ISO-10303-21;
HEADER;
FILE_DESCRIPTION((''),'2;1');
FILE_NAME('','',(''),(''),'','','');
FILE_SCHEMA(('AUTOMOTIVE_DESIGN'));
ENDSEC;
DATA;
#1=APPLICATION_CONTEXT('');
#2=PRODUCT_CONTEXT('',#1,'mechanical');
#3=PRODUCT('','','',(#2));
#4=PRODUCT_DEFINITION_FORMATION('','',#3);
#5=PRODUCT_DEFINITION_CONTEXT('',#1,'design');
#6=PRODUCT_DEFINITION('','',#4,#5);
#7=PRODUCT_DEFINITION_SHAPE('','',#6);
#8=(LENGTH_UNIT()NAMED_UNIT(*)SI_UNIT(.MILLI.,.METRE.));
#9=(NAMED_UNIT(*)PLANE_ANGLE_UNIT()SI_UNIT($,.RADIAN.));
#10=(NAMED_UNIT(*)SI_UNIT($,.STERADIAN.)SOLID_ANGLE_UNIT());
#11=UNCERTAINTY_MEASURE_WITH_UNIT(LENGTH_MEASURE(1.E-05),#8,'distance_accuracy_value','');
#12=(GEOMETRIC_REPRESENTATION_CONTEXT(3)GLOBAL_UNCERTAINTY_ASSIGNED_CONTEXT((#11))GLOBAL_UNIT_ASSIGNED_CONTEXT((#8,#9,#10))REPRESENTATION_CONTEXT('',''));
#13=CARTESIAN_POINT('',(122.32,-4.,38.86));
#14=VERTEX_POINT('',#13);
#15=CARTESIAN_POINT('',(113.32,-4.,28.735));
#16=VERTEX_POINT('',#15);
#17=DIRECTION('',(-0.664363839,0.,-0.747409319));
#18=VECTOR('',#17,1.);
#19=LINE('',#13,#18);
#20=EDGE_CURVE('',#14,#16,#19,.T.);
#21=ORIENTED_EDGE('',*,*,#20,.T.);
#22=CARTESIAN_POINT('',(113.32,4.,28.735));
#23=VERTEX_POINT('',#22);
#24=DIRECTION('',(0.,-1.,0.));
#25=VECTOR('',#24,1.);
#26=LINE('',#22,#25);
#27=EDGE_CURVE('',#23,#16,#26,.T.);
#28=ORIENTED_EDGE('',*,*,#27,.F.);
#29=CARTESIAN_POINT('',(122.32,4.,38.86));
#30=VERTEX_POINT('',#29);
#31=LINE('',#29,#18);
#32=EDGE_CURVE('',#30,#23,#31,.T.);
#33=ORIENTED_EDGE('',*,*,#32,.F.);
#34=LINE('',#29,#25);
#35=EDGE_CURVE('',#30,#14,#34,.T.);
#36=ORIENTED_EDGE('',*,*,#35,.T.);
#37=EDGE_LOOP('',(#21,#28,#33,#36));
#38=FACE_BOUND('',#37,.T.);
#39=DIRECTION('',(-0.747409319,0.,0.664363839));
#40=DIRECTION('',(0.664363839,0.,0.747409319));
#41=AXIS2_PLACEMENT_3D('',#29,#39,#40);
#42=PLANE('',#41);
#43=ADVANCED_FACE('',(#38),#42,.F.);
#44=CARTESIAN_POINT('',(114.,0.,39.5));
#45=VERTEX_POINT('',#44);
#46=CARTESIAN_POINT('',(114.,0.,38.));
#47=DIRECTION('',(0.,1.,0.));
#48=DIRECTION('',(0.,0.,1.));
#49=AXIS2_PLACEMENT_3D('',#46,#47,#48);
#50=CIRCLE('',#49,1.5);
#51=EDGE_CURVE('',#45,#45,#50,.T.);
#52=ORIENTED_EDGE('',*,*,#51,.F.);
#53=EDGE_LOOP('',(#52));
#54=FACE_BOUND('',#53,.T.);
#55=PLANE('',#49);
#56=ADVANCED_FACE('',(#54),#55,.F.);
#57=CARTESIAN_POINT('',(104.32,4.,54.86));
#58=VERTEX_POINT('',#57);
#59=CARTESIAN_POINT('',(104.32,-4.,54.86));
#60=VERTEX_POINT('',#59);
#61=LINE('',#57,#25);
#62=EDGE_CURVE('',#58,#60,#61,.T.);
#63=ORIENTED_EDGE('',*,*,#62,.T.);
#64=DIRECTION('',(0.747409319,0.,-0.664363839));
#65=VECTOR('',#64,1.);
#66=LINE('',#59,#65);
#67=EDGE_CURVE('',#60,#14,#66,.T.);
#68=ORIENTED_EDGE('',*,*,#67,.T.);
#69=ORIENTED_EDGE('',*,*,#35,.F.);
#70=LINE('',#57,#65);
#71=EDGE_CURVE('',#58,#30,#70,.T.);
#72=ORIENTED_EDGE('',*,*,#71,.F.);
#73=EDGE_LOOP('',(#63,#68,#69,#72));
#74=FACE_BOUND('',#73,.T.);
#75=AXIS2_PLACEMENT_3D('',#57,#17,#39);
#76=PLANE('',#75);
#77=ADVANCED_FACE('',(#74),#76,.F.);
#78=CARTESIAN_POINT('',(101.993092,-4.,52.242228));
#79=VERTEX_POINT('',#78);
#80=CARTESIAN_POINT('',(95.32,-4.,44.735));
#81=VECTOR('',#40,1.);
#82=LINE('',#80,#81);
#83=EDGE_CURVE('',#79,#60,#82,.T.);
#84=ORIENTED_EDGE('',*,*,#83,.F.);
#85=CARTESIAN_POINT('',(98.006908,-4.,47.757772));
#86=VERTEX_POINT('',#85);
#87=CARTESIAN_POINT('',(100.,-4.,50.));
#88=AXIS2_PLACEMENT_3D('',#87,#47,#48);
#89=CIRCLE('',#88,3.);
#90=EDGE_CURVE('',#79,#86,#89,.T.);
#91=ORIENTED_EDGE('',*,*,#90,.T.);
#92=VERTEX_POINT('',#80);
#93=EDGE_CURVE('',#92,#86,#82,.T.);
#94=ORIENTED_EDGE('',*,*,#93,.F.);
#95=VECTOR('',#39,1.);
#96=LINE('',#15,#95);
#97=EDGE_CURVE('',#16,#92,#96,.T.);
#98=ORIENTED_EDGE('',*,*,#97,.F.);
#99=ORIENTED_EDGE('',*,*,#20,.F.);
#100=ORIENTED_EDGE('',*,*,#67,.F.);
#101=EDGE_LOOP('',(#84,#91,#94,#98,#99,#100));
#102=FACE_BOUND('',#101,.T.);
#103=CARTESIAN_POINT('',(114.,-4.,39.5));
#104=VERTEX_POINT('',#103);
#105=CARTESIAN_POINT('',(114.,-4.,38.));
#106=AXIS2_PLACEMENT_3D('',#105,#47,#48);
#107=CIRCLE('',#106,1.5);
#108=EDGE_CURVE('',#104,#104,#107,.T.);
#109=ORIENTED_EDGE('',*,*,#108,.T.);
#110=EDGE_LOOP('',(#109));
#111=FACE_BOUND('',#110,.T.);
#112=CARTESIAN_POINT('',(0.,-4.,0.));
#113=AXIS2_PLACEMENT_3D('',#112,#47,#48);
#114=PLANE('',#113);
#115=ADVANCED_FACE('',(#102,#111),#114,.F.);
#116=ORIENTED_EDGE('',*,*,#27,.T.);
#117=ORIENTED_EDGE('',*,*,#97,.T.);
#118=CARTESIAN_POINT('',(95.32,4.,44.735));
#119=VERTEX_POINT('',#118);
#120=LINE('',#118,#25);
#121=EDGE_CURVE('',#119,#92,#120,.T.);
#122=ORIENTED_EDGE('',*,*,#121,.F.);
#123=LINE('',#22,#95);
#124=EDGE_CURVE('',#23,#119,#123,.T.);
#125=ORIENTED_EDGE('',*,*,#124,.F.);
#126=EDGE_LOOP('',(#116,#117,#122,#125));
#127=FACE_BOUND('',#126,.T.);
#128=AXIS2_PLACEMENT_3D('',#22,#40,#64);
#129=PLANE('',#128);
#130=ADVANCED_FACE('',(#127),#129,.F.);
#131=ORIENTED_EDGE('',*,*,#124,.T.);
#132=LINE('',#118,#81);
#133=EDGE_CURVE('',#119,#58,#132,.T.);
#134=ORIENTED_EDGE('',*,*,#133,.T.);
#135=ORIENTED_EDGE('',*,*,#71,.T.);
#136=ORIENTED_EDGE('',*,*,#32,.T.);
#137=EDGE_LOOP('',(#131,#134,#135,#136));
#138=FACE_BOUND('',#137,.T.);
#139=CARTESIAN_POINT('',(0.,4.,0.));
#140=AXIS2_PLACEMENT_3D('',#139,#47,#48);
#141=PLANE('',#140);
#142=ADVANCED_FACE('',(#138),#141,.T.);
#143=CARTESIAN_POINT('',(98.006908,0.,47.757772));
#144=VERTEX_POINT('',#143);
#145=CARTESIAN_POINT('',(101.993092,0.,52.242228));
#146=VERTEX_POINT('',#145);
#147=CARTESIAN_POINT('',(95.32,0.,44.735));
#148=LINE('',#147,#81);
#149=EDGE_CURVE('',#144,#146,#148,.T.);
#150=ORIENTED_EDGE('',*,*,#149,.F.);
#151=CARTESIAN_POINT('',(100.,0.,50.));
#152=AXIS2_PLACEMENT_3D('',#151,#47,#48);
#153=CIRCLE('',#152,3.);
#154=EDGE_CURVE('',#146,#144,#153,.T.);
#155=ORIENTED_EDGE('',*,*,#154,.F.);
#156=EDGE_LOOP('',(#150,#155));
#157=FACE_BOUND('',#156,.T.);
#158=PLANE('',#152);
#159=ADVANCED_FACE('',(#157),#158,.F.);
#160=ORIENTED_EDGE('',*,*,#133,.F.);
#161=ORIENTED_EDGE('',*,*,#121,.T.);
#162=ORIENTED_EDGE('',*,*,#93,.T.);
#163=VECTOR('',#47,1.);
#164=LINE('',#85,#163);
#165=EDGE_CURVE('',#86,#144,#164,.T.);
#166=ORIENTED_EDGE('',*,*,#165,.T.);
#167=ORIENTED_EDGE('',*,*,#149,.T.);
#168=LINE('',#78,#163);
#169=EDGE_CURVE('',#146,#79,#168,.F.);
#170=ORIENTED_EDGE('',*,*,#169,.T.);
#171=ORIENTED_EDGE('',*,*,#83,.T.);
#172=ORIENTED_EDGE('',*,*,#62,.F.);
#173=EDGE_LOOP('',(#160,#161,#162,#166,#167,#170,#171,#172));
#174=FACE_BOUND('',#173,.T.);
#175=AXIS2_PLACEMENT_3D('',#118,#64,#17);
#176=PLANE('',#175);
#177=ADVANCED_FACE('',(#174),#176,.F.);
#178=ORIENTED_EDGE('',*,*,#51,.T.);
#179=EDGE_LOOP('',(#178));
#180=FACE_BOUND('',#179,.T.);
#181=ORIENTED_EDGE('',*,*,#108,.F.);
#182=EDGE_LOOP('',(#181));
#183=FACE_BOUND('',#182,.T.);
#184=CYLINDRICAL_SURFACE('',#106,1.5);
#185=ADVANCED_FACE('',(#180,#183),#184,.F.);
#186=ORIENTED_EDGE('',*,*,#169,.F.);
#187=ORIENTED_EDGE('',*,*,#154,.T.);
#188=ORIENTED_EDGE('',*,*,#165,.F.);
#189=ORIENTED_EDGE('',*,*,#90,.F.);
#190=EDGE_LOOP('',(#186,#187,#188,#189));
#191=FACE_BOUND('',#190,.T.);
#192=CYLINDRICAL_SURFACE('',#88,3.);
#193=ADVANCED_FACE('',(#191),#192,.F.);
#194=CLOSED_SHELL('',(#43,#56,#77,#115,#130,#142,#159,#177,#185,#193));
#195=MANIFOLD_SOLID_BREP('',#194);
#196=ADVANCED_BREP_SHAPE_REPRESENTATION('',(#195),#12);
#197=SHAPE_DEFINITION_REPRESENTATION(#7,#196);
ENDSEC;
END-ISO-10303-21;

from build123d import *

# Parameters (mm, degrees)
EXTRUDE_START       = -4
EXTRUDE_1_DEPTH     = 8
SKETCH_2_R          = 3
SKETCH_2_R_2        = 1.5
CUT_EXTRUDE_1_DEPTH = 135.118611684


with BuildPart() as part:
    # 草图1 → 凸台-拉伸1 (new body)
    with BuildSketch(Plane(origin=(0, 0, 0), x_dir=(1, 0, 0), z_dir=(0, 1, 0)).offset(EXTRUDE_START)):
        Polygon((104.32, -54.86), (122.32, -38.86), (113.32, -28.735), (95.32, -44.735), align=None)
    extrude(amount=EXTRUDE_1_DEPTH)

    # 草图2 → 切除-拉伸1 (cut, through all)
    with BuildSketch(Plane(origin=(0, 0, 0), x_dir=(1, 0, 0), z_dir=(0, 1, 0))):
        with Locations((100, -50)):
            Circle(SKETCH_2_R)
        with Locations(Location((114, -38, 0), (0, 0, 270))):
            Circle(SKETCH_2_R_2)
    extrude(amount=-CUT_EXTRUDE_1_DEPTH, mode=Mode.SUBTRACT)


solid = part.part
